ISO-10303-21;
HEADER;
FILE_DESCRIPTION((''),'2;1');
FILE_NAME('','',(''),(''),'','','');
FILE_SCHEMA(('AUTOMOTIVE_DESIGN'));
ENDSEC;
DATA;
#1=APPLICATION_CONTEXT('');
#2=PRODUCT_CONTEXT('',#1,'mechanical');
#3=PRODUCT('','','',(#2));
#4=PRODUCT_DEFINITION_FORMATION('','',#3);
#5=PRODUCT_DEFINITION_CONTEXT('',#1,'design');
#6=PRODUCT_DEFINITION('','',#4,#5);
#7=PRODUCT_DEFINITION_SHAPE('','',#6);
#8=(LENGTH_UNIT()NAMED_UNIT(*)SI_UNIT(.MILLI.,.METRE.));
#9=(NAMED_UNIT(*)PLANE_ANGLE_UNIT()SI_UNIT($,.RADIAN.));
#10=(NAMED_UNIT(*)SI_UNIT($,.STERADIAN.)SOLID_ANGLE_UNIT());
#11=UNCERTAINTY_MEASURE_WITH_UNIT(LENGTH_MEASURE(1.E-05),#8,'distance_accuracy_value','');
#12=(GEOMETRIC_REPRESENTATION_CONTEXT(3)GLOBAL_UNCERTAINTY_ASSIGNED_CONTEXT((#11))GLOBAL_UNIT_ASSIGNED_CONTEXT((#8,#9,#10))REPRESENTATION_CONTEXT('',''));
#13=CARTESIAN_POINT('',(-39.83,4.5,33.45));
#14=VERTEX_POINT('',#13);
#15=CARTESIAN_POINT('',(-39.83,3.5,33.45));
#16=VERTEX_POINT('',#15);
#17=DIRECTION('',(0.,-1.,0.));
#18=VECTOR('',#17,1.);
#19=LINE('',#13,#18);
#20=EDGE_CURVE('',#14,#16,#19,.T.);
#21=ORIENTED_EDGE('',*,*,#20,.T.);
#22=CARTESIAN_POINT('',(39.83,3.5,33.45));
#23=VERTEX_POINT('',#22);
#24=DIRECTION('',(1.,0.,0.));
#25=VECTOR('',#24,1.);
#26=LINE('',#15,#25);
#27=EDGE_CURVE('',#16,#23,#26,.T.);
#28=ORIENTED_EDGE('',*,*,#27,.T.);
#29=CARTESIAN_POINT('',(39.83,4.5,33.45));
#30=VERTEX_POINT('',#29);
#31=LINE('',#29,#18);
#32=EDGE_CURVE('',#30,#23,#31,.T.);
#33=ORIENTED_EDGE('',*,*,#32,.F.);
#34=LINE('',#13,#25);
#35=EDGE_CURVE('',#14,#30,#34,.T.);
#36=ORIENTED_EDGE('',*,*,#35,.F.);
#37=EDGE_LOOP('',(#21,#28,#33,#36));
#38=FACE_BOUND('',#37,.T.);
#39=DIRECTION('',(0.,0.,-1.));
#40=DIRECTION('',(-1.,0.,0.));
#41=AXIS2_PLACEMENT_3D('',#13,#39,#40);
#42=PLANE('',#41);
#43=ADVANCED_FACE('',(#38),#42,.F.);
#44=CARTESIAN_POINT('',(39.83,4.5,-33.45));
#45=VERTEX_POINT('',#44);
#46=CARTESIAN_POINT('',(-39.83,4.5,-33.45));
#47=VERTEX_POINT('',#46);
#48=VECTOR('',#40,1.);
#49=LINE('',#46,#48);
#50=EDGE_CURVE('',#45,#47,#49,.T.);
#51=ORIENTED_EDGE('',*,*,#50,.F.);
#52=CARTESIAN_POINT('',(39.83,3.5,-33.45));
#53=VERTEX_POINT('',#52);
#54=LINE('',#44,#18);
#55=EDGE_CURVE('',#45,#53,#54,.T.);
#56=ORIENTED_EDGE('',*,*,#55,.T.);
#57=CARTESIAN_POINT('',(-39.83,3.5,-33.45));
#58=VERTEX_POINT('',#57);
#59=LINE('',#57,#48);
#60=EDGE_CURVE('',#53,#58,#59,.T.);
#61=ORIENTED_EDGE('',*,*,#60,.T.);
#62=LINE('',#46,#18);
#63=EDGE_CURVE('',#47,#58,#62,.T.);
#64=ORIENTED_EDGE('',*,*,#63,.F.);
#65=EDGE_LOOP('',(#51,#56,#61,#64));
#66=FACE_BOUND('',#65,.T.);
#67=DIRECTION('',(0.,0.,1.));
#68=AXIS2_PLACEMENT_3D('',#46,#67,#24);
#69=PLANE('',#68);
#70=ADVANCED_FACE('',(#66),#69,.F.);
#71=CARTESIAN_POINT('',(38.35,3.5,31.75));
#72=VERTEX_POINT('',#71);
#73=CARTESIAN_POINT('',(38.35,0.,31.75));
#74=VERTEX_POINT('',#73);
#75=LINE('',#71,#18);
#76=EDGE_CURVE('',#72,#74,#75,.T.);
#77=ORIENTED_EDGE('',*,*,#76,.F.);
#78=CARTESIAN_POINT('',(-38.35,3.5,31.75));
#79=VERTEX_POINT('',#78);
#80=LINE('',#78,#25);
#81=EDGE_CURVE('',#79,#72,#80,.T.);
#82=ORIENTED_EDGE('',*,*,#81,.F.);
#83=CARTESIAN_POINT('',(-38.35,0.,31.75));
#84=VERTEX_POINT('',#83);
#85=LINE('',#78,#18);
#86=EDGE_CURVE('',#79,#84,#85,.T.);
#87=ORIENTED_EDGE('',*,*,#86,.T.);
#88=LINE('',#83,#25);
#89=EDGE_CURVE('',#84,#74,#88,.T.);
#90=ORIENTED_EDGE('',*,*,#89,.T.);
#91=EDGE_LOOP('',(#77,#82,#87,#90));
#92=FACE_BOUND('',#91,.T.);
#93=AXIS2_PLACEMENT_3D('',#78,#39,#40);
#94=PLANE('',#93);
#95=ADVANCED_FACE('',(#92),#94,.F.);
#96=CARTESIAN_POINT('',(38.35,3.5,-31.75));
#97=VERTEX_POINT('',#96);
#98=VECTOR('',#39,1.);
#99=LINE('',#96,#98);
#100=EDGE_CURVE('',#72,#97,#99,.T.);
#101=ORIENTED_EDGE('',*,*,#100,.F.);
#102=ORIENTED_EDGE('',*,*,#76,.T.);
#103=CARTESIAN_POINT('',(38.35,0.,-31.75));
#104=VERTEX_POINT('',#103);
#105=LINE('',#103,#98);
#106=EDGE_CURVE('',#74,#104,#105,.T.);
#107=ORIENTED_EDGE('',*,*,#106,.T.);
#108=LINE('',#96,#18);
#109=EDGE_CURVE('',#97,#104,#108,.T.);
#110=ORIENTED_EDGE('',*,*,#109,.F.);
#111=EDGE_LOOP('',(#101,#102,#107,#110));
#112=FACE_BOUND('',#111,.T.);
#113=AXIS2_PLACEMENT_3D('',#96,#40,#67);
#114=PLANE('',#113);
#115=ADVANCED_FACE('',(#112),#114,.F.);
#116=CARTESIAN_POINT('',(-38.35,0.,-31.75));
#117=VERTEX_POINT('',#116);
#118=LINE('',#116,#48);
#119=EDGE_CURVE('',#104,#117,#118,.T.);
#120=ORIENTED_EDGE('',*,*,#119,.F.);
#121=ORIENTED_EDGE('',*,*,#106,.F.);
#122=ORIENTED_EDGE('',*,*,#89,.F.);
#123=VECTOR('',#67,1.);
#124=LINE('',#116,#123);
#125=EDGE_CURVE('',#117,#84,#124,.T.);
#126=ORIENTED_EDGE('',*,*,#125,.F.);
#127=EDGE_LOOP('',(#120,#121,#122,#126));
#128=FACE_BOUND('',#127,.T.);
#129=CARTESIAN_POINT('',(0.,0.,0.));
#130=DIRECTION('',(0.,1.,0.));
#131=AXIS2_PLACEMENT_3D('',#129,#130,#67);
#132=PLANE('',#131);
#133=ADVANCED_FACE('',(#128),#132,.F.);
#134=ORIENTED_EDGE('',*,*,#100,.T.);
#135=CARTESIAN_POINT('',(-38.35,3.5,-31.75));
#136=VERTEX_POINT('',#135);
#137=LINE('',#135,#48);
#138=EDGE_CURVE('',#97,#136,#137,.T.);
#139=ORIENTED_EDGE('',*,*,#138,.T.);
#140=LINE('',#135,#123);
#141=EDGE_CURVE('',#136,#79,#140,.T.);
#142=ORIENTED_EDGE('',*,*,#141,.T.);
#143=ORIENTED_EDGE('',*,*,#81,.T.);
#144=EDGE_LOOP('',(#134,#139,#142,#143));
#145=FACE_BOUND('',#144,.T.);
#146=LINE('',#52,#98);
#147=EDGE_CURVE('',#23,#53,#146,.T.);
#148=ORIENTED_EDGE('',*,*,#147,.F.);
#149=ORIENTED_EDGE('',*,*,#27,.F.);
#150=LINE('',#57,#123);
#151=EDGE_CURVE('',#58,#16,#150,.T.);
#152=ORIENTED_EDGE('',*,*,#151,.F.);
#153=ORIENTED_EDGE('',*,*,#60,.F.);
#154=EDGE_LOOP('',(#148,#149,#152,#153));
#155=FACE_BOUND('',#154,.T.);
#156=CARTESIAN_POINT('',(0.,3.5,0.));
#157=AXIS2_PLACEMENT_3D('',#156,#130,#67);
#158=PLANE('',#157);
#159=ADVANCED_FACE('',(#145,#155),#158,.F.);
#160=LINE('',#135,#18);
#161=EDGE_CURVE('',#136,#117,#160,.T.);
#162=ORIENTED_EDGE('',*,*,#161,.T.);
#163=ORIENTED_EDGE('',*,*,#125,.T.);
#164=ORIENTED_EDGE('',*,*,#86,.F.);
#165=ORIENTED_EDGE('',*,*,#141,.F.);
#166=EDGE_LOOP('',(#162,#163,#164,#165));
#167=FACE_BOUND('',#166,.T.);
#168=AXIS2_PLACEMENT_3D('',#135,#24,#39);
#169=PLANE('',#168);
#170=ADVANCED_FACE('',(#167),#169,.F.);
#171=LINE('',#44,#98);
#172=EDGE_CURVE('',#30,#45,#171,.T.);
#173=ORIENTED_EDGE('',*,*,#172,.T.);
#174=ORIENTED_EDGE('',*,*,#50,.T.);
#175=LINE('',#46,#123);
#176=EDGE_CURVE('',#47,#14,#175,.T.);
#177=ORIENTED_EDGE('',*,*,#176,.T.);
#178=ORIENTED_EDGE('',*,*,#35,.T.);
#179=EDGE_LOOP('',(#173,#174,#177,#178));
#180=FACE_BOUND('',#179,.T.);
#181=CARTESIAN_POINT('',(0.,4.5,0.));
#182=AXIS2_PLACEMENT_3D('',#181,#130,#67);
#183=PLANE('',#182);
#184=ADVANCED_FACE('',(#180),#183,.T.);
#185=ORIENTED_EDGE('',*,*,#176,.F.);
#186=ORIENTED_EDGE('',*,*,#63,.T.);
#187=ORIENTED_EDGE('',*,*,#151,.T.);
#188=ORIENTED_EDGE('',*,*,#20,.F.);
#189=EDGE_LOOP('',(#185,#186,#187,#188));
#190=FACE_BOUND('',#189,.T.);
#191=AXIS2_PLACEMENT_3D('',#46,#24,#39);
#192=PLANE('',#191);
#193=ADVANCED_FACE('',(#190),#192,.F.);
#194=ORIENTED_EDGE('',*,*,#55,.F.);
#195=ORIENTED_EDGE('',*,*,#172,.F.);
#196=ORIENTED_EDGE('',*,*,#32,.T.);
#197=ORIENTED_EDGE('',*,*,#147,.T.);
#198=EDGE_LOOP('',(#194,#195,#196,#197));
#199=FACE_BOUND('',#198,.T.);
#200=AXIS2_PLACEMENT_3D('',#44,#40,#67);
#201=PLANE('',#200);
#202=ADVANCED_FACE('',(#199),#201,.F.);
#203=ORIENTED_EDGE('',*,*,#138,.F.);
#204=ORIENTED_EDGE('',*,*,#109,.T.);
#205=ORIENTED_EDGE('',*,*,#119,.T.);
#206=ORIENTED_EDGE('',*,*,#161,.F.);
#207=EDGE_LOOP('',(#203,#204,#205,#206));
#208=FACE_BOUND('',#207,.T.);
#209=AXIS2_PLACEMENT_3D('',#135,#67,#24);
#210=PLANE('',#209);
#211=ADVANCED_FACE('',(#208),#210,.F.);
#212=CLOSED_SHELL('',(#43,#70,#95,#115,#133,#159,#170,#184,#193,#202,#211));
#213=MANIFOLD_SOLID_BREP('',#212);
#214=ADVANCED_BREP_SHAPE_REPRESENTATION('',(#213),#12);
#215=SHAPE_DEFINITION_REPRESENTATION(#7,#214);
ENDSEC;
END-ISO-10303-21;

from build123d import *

# Parameters (mm, degrees)
SKETCH_1_W      = 76.7
SKETCH_1_H      = 63.5
EXTRUDE_1_DEPTH = 3.5
SKETCH_2_W      = 79.66
SKETCH_2_H      = 66.9
EXTRUDE_2_DEPTH = 1


with BuildPart() as part:
    # 草图1 → 凸台-拉伸1 (new body)
    with BuildSketch(Plane(origin=(0, 0, 0), x_dir=(1, 0, 0), z_dir=(0, 1, 0))):
        Rectangle(SKETCH_1_W, SKETCH_1_H)
    extrude(amount=EXTRUDE_1_DEPTH)

    # 草图2 → 凸台-拉伸2 (add)
    with BuildSketch(Plane(origin=(0, 3.5, 0), x_dir=(1, 0, 0), z_dir=(0, 1, 0))):
        Rectangle(SKETCH_2_W, SKETCH_2_H)
    extrude(amount=EXTRUDE_2_DEPTH)


solid = part.part
